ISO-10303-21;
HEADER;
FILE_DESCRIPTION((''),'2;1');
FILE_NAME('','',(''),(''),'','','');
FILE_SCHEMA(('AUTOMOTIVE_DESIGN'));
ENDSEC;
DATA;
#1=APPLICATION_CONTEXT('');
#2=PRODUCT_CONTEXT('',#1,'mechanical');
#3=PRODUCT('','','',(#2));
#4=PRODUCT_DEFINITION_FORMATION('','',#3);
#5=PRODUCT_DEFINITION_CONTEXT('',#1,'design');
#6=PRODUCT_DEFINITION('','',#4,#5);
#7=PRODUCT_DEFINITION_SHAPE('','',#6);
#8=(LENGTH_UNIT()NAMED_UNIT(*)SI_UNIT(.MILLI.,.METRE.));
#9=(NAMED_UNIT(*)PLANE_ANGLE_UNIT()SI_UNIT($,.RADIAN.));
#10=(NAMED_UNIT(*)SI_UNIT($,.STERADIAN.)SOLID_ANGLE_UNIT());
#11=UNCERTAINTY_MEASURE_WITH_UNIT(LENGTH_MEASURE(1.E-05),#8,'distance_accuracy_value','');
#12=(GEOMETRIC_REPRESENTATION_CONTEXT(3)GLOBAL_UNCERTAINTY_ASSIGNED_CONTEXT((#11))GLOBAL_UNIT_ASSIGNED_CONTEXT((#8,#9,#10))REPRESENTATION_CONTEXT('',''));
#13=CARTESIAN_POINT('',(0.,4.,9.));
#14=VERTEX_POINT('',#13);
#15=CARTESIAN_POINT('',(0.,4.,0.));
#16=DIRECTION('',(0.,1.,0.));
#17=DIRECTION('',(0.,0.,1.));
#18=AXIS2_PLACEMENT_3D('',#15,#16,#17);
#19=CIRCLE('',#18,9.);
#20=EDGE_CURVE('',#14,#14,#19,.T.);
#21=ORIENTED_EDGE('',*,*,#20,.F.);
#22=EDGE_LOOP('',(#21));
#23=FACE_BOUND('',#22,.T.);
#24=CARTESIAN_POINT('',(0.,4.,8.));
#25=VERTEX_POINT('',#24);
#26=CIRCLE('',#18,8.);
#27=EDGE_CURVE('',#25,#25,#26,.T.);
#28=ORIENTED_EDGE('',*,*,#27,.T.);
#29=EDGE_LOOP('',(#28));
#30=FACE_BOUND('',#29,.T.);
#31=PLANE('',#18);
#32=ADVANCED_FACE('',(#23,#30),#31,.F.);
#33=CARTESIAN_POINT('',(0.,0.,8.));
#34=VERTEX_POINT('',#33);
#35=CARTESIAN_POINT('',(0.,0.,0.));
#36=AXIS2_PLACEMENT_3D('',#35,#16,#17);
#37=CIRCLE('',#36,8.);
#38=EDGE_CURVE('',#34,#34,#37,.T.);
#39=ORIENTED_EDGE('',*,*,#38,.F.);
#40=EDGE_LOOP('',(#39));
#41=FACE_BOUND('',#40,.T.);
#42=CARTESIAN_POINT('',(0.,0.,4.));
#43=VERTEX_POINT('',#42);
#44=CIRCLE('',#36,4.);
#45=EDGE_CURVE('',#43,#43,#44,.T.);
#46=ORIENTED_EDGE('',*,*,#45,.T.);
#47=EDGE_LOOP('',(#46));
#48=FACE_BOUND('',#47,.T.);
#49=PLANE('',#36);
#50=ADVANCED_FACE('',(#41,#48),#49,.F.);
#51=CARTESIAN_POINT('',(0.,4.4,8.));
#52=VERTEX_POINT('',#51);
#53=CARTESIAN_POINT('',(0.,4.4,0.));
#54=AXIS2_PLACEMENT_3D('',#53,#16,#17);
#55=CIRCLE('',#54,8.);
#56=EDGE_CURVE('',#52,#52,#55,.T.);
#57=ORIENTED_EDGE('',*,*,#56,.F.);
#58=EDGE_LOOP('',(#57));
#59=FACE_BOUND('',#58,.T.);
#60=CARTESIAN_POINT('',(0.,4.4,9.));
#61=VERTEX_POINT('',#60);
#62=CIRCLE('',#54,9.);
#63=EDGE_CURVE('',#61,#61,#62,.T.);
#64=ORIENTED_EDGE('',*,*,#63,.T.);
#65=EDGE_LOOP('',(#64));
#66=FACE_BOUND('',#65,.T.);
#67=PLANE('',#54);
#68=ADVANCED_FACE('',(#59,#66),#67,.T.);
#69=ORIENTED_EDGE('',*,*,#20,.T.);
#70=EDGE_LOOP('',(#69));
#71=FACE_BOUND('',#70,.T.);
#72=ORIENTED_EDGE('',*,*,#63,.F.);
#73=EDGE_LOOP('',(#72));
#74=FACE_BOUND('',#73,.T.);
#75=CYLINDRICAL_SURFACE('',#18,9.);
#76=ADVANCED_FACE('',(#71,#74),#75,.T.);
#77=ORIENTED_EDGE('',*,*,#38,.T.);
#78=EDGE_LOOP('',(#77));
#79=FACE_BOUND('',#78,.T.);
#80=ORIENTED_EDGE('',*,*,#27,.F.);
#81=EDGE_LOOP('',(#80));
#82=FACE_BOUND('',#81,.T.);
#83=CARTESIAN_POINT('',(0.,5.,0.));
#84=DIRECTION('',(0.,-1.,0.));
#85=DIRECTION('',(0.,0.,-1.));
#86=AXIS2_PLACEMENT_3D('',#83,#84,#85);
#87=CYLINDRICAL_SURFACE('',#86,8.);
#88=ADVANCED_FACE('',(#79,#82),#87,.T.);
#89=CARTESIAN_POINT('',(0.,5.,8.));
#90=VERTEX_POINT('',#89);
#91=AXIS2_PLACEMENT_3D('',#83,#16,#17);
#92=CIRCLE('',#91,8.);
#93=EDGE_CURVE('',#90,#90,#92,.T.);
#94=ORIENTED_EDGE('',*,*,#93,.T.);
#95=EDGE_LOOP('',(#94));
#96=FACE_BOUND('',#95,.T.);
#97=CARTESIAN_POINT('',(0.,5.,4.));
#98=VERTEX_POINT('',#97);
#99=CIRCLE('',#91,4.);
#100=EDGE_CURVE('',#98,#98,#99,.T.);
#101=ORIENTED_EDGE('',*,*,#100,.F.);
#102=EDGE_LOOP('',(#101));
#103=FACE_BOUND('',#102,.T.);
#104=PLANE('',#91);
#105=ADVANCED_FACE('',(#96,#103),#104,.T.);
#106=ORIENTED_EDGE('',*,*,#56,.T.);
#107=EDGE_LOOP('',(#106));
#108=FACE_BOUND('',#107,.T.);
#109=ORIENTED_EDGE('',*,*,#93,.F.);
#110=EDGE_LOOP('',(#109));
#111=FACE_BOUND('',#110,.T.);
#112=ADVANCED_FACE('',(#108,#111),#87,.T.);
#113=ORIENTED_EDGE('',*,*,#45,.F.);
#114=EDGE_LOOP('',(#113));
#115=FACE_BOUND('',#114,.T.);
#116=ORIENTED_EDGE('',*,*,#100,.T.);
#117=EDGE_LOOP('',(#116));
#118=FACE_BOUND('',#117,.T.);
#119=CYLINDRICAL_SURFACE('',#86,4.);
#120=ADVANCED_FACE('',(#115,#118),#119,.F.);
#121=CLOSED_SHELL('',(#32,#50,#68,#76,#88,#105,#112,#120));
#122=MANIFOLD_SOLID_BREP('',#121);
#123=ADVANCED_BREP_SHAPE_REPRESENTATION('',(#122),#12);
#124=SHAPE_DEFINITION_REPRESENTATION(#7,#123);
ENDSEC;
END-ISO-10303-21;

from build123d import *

# Parameters (mm, degrees)
SKETCH1_R           = 8
SKETCH1_R_2         = 4
BOSS_EXTRUDE1_DEPTH = 5
BOSS_EXTRUDE2_START = -1
SKETCH2_R           = 9
SKETCH2_R_2         = 8
BOSS_EXTRUDE2_DEPTH = 0.4


with BuildPart() as part:
    # Sketch1 → Boss-Extrude1 (new body)
    with BuildSketch(Plane(origin=(0, 0, 0), x_dir=(1, 0, 0), z_dir=(0, 1, 0))):
        with Locations(Location((0, 0, 0), (0, 0, 270))):
            Circle(SKETCH1_R)
        with Locations(Location((0, 0, 0), (0, 0, 270))):
            Circle(SKETCH1_R_2, mode=Mode.SUBTRACT)
    extrude(amount=BOSS_EXTRUDE1_DEPTH)

    # Sketch2 → Boss-Extrude2 (add)
    with BuildSketch(Plane(origin=(0, 5, 0), x_dir=(1, 0, 0), z_dir=(0, 1, 0)).offset(BOSS_EXTRUDE2_START)):
        with Locations(Location((0, 0, 0), (0, 0, 270))):
            Circle(SKETCH2_R)
        with Locations(Location((0, 0, 0), (0, 0, 270))):
            Circle(SKETCH2_R_2, mode=Mode.SUBTRACT)
    extrude(amount=BOSS_EXTRUDE2_DEPTH)


solid = part.part
